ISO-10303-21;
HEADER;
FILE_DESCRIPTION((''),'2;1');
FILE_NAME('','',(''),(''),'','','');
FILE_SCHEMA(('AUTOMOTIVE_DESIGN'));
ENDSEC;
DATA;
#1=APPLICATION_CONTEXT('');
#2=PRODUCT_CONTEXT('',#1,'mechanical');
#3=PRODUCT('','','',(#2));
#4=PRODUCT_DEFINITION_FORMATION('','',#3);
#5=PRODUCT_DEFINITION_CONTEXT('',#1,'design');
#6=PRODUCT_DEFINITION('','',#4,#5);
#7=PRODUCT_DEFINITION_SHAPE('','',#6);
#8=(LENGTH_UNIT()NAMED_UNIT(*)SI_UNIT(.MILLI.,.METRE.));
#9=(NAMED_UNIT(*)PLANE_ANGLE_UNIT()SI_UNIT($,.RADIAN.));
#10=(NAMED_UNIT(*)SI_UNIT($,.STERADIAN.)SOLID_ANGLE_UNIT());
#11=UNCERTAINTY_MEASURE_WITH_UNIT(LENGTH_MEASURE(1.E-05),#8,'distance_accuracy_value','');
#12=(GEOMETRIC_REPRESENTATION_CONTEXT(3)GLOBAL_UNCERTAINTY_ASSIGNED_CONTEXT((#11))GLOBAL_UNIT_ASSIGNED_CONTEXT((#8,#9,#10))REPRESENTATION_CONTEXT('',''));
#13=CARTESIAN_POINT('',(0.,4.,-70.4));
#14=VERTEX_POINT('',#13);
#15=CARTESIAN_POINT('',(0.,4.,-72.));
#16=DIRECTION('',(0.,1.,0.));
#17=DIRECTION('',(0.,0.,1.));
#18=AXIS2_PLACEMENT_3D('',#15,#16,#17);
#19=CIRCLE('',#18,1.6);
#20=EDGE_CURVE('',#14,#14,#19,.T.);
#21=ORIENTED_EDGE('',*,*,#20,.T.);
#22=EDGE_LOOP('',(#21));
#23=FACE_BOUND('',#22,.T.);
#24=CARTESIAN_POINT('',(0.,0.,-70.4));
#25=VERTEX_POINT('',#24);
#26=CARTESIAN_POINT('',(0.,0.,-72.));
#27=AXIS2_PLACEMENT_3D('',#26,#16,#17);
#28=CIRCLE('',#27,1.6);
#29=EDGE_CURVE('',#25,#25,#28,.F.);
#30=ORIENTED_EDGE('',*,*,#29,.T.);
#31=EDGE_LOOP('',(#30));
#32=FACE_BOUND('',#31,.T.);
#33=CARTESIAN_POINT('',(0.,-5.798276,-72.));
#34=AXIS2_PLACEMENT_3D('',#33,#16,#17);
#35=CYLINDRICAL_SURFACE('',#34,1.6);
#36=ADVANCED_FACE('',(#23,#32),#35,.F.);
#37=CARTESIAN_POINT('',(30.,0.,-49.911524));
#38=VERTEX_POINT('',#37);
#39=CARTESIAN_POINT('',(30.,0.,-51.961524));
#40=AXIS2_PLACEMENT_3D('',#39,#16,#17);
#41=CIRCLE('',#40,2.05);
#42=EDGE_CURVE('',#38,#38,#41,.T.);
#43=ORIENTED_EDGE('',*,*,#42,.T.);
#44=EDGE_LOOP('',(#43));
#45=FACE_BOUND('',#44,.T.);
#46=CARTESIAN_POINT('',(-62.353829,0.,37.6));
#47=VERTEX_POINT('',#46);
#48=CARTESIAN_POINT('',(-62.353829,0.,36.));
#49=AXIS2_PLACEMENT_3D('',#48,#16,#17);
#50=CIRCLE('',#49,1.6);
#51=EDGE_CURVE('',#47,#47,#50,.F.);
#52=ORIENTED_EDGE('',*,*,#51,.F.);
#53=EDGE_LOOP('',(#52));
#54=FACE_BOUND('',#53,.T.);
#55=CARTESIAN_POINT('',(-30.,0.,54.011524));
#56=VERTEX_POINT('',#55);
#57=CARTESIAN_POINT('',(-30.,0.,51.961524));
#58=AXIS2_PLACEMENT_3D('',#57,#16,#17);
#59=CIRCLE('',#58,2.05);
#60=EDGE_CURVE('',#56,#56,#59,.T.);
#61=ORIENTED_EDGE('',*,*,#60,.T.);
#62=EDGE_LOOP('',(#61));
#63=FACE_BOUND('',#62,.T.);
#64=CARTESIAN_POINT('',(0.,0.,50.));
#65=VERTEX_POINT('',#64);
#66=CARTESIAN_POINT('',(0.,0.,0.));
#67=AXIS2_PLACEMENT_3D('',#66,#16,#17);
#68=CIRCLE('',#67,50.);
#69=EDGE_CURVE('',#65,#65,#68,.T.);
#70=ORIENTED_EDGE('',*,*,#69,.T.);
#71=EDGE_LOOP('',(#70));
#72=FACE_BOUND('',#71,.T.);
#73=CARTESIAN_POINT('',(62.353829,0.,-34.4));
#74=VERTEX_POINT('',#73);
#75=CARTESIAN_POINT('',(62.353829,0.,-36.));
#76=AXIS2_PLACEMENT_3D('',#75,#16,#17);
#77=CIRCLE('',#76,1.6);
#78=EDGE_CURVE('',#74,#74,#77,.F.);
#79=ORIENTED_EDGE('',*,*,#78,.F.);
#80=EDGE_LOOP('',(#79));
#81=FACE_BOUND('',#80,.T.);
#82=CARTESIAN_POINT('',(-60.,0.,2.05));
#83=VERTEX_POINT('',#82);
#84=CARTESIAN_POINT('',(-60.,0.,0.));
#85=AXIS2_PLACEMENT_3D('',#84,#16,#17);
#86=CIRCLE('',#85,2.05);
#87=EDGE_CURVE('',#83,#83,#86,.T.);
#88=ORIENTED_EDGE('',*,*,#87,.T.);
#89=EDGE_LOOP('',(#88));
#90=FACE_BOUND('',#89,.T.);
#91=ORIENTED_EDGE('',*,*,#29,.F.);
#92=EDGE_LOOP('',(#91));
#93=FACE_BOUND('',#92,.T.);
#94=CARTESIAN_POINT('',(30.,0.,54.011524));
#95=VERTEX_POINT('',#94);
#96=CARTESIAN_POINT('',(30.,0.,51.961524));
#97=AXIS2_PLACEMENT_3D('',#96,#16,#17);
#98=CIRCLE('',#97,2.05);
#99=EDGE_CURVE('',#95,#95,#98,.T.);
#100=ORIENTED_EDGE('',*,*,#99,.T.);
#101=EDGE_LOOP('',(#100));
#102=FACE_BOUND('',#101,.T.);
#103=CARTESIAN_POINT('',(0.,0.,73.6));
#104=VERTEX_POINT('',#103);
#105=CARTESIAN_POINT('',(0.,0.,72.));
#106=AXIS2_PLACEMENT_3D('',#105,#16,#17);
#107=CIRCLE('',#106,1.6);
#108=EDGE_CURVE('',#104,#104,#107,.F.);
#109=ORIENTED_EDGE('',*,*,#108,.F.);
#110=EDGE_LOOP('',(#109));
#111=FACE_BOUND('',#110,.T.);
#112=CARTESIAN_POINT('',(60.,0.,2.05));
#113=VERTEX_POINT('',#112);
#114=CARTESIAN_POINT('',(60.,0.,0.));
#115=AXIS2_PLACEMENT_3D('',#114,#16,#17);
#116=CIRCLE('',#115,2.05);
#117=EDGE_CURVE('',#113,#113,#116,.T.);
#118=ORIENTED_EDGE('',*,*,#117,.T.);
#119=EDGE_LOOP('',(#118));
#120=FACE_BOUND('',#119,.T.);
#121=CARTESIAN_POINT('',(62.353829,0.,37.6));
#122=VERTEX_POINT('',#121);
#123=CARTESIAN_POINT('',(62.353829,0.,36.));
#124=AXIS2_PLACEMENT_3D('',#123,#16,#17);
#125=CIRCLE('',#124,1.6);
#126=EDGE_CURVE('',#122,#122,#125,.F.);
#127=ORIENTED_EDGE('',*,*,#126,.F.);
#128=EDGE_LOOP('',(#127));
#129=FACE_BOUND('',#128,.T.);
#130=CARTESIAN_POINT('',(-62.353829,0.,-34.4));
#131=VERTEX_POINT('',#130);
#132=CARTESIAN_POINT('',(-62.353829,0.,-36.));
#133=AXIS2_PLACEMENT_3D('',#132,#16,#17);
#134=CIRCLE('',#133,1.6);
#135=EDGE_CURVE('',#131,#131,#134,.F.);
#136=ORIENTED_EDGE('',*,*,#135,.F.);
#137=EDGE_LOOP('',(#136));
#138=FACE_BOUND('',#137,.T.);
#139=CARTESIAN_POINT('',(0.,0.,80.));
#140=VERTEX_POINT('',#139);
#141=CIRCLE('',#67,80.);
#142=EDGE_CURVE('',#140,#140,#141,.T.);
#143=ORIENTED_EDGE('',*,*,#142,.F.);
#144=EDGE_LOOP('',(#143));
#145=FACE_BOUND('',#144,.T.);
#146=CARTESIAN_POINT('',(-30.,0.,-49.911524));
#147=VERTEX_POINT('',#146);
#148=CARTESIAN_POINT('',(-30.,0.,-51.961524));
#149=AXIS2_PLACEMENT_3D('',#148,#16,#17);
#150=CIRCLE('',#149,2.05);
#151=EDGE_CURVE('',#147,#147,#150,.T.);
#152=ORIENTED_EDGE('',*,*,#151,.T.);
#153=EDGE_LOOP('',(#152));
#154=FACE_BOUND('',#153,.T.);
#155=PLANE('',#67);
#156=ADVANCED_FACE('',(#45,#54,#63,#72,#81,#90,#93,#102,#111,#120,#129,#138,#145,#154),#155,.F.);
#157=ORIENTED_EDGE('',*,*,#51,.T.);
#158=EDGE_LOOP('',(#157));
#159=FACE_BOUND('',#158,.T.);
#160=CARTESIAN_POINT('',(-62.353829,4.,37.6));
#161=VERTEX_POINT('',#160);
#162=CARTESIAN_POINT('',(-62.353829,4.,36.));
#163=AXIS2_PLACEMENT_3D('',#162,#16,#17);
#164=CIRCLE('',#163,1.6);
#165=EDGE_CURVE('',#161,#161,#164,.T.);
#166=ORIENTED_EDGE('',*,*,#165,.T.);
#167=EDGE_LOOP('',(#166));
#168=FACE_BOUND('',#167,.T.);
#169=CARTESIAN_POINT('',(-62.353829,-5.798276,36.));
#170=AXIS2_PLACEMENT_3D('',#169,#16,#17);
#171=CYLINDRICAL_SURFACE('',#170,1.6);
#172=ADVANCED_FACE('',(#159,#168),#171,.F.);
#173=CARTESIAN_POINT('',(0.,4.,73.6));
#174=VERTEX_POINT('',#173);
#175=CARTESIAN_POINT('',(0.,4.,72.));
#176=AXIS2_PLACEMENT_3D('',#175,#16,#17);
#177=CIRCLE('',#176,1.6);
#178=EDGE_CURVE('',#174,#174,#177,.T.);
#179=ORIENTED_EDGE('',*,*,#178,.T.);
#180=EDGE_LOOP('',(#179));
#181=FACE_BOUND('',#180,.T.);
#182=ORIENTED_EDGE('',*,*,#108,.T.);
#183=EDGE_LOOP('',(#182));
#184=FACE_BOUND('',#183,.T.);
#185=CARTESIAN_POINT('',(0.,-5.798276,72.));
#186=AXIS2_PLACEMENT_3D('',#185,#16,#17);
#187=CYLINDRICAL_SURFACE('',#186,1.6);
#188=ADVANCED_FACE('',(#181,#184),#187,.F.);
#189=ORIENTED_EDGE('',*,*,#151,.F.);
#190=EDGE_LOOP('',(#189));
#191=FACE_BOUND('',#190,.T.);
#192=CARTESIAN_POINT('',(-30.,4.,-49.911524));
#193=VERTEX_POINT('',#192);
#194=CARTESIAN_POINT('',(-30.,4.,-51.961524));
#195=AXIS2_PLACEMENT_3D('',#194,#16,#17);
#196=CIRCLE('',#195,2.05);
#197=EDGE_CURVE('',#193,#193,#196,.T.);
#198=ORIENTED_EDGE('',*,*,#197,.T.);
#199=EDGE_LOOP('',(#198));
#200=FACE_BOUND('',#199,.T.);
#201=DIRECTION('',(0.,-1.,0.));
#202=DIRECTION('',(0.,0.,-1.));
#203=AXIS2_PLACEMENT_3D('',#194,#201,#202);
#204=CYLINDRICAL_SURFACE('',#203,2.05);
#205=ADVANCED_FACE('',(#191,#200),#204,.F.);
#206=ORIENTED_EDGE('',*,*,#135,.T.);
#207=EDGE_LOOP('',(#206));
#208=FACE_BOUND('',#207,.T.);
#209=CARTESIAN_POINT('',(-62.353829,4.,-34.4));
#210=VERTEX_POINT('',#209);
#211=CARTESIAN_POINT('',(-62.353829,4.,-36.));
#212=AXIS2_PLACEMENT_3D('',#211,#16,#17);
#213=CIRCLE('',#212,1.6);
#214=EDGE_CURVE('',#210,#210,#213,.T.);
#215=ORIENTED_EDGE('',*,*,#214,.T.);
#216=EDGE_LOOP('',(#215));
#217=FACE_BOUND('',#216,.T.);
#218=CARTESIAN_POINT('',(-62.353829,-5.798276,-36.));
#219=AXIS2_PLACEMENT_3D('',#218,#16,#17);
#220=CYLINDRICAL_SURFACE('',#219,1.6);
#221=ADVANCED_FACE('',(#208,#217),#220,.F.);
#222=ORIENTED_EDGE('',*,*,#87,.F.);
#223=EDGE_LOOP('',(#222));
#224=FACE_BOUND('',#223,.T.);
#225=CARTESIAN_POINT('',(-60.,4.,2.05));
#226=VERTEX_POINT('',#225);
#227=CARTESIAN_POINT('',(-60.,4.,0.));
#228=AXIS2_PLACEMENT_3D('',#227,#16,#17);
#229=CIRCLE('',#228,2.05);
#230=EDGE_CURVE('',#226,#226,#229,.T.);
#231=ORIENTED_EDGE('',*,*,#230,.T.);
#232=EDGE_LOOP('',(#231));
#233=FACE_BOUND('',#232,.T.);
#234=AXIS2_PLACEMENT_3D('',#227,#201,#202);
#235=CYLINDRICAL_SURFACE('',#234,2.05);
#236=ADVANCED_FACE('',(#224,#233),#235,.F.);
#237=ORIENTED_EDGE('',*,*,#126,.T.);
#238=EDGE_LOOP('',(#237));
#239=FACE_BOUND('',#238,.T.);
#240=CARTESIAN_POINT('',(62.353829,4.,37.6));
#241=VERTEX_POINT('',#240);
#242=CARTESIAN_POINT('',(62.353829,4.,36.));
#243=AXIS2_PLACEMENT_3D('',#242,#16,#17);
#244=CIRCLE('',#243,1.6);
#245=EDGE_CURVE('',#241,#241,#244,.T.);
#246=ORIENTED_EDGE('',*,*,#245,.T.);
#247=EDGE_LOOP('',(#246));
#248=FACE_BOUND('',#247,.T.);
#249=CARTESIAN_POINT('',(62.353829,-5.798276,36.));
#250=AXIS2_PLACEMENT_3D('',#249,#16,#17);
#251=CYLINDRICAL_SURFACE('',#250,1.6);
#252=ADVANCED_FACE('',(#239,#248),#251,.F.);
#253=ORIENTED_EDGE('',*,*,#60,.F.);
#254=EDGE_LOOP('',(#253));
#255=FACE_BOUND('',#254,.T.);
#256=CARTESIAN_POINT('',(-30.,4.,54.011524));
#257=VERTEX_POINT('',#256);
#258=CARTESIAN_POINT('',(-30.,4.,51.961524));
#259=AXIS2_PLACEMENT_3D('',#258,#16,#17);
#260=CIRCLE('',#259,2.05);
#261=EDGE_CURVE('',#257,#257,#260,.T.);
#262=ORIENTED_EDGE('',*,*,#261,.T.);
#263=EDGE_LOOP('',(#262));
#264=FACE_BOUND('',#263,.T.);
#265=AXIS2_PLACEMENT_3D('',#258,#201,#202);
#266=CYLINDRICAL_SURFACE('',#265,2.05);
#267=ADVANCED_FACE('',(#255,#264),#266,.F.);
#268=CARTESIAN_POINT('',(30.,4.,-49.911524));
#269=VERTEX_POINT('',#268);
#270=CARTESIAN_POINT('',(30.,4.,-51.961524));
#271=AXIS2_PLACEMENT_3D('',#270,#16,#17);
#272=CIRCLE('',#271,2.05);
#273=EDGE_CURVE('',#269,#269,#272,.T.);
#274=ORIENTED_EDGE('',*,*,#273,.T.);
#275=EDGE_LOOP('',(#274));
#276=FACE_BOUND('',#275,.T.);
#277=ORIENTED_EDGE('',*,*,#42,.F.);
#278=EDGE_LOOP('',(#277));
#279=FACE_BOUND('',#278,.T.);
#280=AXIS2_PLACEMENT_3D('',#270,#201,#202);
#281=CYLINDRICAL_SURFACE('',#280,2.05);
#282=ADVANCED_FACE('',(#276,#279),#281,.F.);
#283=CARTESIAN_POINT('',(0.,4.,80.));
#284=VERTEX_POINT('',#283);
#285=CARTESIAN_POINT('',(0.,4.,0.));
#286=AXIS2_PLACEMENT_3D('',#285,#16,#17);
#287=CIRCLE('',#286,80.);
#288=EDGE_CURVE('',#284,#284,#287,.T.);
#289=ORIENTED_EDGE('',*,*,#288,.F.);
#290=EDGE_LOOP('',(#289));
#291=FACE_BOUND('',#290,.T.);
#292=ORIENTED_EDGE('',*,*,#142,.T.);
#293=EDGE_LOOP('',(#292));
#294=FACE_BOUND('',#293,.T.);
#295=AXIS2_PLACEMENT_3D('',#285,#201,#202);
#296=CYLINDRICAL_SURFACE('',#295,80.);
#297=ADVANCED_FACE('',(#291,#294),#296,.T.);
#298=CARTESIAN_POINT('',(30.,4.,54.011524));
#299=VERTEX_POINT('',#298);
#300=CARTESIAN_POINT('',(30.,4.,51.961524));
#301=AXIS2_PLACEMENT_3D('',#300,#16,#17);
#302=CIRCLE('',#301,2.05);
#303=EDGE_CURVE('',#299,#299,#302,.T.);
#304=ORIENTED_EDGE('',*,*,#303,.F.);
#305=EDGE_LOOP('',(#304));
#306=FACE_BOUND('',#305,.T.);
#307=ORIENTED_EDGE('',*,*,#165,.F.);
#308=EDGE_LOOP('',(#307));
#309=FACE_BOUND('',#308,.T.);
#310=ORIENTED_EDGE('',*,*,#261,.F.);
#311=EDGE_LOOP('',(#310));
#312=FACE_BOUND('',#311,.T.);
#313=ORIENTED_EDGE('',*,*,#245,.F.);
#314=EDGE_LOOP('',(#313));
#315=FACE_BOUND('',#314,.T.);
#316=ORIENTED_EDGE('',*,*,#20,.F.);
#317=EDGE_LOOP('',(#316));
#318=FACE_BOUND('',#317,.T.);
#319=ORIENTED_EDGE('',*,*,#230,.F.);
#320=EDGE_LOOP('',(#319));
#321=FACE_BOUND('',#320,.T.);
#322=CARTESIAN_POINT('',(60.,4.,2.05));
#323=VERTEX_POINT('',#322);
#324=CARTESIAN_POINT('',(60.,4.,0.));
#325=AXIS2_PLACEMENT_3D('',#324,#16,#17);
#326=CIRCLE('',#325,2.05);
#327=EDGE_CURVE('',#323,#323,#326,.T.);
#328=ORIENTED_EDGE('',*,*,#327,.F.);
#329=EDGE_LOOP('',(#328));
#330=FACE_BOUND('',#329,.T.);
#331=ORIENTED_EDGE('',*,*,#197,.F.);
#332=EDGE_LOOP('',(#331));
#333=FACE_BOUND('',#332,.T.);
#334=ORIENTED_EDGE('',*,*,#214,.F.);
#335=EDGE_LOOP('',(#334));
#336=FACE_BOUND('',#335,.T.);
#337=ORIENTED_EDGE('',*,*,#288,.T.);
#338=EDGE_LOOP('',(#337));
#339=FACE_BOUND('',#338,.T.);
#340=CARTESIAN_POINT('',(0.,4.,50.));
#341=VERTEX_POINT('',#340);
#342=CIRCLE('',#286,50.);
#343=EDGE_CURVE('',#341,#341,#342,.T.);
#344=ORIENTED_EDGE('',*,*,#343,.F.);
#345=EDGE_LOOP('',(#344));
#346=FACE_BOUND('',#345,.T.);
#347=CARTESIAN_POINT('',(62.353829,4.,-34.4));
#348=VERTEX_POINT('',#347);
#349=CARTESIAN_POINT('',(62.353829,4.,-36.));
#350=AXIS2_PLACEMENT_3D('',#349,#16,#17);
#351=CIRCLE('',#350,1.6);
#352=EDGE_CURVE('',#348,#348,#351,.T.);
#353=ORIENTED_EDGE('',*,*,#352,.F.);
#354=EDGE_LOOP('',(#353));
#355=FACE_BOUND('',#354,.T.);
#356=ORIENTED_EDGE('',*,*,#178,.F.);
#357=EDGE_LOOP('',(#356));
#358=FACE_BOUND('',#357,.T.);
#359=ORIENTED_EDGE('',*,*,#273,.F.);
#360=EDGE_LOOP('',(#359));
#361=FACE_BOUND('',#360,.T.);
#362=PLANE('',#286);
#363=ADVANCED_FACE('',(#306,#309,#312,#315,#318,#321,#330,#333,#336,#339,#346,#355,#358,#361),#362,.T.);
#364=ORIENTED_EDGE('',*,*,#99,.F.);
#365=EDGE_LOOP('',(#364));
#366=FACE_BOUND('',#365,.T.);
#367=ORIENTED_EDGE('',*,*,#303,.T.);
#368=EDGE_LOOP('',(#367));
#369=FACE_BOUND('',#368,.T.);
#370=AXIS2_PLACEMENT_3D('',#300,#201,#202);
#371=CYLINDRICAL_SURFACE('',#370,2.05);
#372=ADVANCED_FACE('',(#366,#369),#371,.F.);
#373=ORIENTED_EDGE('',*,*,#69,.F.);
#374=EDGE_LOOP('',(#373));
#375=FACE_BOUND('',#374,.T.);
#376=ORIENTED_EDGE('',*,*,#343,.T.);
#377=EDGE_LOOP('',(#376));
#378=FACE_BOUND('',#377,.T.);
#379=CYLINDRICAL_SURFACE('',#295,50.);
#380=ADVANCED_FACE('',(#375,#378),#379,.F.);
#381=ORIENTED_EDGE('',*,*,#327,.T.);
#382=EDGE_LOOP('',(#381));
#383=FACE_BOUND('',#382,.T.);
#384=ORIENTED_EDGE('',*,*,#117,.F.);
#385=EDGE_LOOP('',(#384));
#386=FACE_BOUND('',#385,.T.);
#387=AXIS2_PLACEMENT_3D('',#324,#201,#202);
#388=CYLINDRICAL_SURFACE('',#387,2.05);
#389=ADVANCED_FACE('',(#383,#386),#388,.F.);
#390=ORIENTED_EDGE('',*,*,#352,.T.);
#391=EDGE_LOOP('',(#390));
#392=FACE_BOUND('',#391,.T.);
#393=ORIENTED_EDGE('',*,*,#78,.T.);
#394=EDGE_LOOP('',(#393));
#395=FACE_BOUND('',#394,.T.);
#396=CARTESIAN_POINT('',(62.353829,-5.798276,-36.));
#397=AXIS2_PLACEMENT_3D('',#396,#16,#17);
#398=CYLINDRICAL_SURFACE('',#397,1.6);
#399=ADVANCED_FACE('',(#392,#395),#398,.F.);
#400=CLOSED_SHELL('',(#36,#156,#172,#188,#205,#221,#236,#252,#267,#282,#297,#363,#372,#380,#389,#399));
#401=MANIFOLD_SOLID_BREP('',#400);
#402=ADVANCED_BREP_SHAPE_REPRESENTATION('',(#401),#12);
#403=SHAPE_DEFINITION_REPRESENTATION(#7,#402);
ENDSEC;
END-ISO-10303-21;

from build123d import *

# Parameters (mm, degrees)
SKETCH_1_R      = 80
SKETCH_1_R_2    = 50
SKETCH_1_R_3    = 2.05
EXTRUDE_1_DEPTH = 4
EXTRUDE_START   = -4
SKETCH_2_R      = 2.05
SKETCH_2_R_2    = 1.6
EXTRUDE_2_DEPTH = 4


with BuildPart() as part:
    # 草图1 → 凸台-拉伸1 (new body)
    with BuildSketch(Plane(origin=(0, 0, 0), x_dir=(1, 0, 0), z_dir=(0, 1, 0))):
        with Locations(Location((0, 0, 0), (0, 0, 270))):
            Circle(SKETCH_1_R)
        with Locations(Location((0, 0, 0), (0, 0, 270))):
            Circle(SKETCH_1_R_2, mode=Mode.SUBTRACT)
        with Locations(Location((60, 0, 0), (0, 0, 270))):
            Circle(SKETCH_1_R_3, mode=Mode.SUBTRACT)
        with Locations(Location((30, -51.961524227, 0), (0, 0, 270))):
            Circle(SKETCH_1_R_3, mode=Mode.SUBTRACT)
        with Locations(Location((-30, -51.961524227, 0), (0, 0, 270))):
            Circle(SKETCH_1_R_3, mode=Mode.SUBTRACT)
        with Locations(Location((-60, 0, 0), (0, 0, 270))):
            Circle(SKETCH_1_R_3, mode=Mode.SUBTRACT)
        with Locations(Location((-30, 51.961524227, 0), (0, 0, 270))):
            Circle(SKETCH_1_R_3, mode=Mode.SUBTRACT)
        with Locations(Location((30, 51.961524227, 0), (0, 0, 270))):
            Circle(SKETCH_1_R_3, mode=Mode.SUBTRACT)
        with Locations(Location((-62.353829072, 36, 0), (0, 0, 270))):
            Circle(SKETCH_1_R_3, mode=Mode.SUBTRACT)
        with Locations(Location((0, 72, 0), (0, 0, 270))):
            Circle(SKETCH_1_R_3, mode=Mode.SUBTRACT)
        with Locations(Location((62.353829072, 36, 0), (0, 0, 270))):
            Circle(SKETCH_1_R_3, mode=Mode.SUBTRACT)
        with Locations(Location((62.353829072, -36, 0), (0, 0, 270))):
            Circle(SKETCH_1_R_3, mode=Mode.SUBTRACT)
        with Locations(Location((0, -72, 0), (0, 0, 270))):
            Circle(SKETCH_1_R_3, mode=Mode.SUBTRACT)
        with Locations(Location((-62.353829072, -36, 0), (0, 0, 270))):
            Circle(SKETCH_1_R_3, mode=Mode.SUBTRACT)
    extrude(amount=EXTRUDE_1_DEPTH)

    # 草图2 → 凸台-拉伸2 (add)
    # profile 1 of 6: a face of its own
    with BuildSketch(Plane(origin=(0, 4, 0), x_dir=(1, 0, 0), z_dir=(0, 1, 0)).offset(EXTRUDE_START)):
        with Locations((62.353829072, 36)):
            Circle(SKETCH_2_R)
        with Locations(Location((62.353829072, 36, 0), (0, 0, 270))):
            Circle(SKETCH_2_R_2, mode=Mode.SUBTRACT)
    # profile 2 of 6: a face of its own
    with BuildSketch(Plane(origin=(0, 4, 0), x_dir=(1, 0, 0), z_dir=(0, 1, 0)).offset(EXTRUDE_START)):
        with Locations((62.353829072, -36)):
            Circle(SKETCH_2_R)
        with Locations(Location((62.353829072, -36, 0), (0, 0, 270))):
            Circle(SKETCH_2_R_2, mode=Mode.SUBTRACT)
    # profile 3 of 6: a face of its own
    with BuildSketch(Plane(origin=(0, 4, 0), x_dir=(1, 0, 0), z_dir=(0, 1, 0)).offset(EXTRUDE_START)):
        with Locations((0, -72)):
            Circle(SKETCH_2_R)
        with Locations(Location((0, -72, 0), (0, 0, 270))):
            Circle(SKETCH_2_R_2, mode=Mode.SUBTRACT)
    # profile 4 of 6: a face of its own
    with BuildSketch(Plane(origin=(0, 4, 0), x_dir=(1, 0, 0), z_dir=(0, 1, 0)).offset(EXTRUDE_START)):
        with Locations((-62.353829072, -36)):
            Circle(SKETCH_2_R)
        with Locations(Location((-62.353829072, -36, 0), (0, 0, 270))):
            Circle(SKETCH_2_R_2, mode=Mode.SUBTRACT)
    # profile 5 of 6: a face of its own
    with BuildSketch(Plane(origin=(0, 4, 0), x_dir=(1, 0, 0), z_dir=(0, 1, 0)).offset(EXTRUDE_START)):
        with Locations((-62.353829072, 36)):
            Circle(SKETCH_2_R)
        with Locations(Location((-62.353829072, 36, 0), (0, 0, 270))):
            Circle(SKETCH_2_R_2, mode=Mode.SUBTRACT)
    # profile 6 of 6: a face of its own
    with BuildSketch(Plane(origin=(0, 4, 0), x_dir=(1, 0, 0), z_dir=(0, 1, 0)).offset(EXTRUDE_START)):
        with Locations((0, 72)):
            Circle(SKETCH_2_R)
        with Locations(Location((0, 72, 0), (0, 0, 270))):
            Circle(SKETCH_2_R_2, mode=Mode.SUBTRACT)
    extrude(amount=EXTRUDE_2_DEPTH)


solid = part.part
